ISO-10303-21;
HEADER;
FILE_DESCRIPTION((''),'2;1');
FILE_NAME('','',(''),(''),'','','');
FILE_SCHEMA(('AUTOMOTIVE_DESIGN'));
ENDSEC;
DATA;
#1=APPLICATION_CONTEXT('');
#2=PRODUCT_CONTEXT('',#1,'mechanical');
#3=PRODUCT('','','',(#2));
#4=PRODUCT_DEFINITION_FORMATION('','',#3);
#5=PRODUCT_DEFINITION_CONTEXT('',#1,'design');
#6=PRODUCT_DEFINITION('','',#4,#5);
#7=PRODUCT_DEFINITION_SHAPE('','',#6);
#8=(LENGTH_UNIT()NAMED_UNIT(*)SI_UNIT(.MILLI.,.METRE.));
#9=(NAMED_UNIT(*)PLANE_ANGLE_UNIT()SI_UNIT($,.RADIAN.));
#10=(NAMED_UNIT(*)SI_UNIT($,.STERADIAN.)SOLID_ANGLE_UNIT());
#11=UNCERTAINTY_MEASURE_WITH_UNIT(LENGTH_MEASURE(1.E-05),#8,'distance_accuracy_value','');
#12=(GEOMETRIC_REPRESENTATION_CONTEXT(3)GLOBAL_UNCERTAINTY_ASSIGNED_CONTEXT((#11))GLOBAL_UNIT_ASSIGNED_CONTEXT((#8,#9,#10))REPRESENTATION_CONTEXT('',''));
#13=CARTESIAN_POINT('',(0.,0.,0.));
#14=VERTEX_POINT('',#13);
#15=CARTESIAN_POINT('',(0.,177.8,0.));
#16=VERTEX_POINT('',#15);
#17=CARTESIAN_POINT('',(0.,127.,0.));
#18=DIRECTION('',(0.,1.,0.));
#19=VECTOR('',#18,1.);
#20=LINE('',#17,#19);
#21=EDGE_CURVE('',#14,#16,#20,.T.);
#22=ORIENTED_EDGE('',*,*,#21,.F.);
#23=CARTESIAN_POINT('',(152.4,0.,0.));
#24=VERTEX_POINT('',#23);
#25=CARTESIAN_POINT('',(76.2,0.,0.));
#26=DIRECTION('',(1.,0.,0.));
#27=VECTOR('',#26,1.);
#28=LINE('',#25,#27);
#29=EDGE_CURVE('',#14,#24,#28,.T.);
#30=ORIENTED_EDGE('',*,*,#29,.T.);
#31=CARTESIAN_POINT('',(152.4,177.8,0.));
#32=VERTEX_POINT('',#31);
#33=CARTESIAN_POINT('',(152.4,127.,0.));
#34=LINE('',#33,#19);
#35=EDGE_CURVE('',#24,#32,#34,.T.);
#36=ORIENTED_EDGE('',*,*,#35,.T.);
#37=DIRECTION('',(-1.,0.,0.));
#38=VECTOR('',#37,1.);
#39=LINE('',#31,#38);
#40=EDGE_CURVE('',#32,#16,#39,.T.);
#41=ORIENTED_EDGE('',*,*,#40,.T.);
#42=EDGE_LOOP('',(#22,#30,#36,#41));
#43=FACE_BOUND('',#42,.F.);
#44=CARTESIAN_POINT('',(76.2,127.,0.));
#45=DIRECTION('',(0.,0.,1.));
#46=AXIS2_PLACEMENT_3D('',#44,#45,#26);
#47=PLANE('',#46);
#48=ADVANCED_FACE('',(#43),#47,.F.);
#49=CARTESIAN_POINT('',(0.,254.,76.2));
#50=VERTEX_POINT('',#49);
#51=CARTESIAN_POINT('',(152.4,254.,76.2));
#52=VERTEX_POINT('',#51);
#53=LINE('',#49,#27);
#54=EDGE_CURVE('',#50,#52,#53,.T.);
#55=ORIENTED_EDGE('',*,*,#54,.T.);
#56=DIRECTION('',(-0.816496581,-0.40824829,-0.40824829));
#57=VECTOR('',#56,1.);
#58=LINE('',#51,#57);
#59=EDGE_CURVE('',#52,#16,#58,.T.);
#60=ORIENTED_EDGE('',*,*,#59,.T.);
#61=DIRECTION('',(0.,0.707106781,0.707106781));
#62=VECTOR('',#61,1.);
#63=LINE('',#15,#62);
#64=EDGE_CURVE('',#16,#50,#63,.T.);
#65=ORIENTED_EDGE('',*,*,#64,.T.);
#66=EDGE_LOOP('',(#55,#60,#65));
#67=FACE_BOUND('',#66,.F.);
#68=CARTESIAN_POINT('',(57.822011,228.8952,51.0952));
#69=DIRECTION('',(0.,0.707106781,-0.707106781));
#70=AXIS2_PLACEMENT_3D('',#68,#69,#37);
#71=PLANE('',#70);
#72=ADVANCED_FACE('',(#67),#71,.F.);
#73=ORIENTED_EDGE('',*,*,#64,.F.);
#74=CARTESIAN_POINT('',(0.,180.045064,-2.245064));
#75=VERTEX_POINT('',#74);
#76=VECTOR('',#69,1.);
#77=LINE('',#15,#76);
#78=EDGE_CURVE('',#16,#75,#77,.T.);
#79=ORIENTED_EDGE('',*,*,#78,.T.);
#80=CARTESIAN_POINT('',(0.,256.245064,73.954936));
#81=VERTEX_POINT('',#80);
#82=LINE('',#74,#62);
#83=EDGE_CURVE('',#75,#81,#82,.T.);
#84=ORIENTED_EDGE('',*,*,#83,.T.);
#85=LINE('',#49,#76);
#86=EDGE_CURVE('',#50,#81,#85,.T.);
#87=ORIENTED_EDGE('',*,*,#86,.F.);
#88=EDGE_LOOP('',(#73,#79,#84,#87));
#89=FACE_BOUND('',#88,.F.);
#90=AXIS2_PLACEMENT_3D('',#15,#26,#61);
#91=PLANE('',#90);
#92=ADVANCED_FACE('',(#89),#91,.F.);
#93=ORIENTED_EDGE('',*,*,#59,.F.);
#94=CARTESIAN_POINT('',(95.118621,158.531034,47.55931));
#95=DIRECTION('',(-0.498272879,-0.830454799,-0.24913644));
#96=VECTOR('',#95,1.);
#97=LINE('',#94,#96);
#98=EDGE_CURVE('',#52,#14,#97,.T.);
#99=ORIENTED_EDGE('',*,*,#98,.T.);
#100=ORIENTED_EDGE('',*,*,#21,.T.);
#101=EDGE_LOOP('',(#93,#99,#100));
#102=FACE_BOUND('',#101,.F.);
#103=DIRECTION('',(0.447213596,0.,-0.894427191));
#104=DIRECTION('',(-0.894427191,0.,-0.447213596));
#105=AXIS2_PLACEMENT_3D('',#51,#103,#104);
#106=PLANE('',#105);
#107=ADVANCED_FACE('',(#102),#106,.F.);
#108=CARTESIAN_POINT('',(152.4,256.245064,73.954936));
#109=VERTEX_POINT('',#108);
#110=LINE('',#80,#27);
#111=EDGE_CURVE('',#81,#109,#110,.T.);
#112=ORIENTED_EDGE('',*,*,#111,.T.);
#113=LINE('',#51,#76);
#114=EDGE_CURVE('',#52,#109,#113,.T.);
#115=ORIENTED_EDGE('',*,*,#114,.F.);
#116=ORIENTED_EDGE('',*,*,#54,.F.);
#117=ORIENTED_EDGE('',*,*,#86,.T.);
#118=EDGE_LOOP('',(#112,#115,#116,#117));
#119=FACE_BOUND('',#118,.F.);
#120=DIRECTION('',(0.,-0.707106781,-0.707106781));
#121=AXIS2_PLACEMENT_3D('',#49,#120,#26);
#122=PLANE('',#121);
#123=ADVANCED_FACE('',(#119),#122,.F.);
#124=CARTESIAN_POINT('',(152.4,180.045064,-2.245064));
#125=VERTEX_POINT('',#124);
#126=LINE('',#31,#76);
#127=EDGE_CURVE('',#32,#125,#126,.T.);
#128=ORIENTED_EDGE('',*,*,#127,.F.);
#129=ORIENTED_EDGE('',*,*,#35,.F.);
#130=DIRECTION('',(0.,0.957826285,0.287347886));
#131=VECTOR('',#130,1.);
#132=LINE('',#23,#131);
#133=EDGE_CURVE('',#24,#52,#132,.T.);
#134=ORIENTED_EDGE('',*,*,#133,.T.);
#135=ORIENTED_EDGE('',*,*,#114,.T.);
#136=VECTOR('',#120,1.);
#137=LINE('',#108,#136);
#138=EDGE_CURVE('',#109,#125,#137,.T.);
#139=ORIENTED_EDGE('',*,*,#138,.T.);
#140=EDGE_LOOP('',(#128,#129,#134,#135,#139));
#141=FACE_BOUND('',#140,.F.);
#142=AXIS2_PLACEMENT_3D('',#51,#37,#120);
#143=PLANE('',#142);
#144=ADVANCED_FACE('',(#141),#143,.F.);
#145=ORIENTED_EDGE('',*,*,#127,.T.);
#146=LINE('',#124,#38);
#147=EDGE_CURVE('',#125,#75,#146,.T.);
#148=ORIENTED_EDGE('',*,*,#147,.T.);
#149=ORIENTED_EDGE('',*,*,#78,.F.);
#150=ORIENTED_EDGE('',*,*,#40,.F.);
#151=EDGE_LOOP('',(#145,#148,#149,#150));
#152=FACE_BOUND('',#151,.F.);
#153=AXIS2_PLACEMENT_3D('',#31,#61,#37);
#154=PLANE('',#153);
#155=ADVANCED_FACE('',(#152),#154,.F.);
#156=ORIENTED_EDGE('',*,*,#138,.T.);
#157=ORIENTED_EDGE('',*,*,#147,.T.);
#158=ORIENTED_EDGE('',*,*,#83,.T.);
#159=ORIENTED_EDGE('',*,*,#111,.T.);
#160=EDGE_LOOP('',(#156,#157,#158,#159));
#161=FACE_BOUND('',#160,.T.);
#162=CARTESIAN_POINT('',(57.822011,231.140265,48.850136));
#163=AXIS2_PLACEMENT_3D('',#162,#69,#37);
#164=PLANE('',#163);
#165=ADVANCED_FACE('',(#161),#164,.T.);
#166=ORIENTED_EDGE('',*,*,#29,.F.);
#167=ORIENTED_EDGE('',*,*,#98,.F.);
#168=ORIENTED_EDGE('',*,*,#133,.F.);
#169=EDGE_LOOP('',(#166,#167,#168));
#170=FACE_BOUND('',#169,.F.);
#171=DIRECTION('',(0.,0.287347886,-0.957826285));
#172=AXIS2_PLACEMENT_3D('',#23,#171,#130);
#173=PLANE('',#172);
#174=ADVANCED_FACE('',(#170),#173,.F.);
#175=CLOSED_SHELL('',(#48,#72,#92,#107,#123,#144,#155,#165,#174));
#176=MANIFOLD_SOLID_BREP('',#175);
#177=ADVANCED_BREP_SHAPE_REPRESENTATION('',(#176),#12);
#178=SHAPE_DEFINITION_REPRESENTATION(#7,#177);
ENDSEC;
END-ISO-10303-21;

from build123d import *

# Parameters (mm, degrees)
F0_W     = 152.4
F0_H     = 254
F1_DEPTH = 76.2
F3_DEPTH = 152.4
F5_DEPTH = 254.001
F7_DEPTH = 152.401
F9_DEPTH = 3.175


with BuildPart() as f1:
    # F0 (on Top) → F1 (new body)
    with BuildSketch(Plane.XY):
        with Locations((76.2, 127)):
            Rectangle(F0_W, F0_H)
    extrude(amount=F1_DEPTH)

    # F2 (on face) → F3 (cut, through all)
    with BuildSketch(Plane.YZ.offset(152.4)):
        Polygon((0, 76.2), (0, 0), (254, 76.2), align=None)
    extrude(amount=-F3_DEPTH, mode=Mode.SUBTRACT)

    # F4 (on face) → F5 (cut, through all)
    with BuildSketch(Plane(origin=(0, 254, 0), x_dir=(-1, 0, 0), z_dir=(0, 1, 0))):
        Polygon((0, 76.2), (-152.4, 76.2), (0, 0), align=None)
    extrude(amount=-F5_DEPTH, mode=Mode.SUBTRACT)

    # F6 (on face) → F7 (cut, through all)
    with BuildSketch(Plane.YZ.offset(152.4)):
        Polygon((254, 0), (254, 76.2), (177.8, 0), align=None)
    extrude(amount=-F7_DEPTH, mode=Mode.SUBTRACT)

    # F8 (on face) → F9 (join)
    with BuildSketch(Plane(origin=(0, 88.9, -88.9), x_dir=(-1, 0, 0), z_dir=(0, 0.7071067812, -0.7071067812))):
        Polygon((-152.4, 233.4866591478), (0, 125.723585695), (0, 233.4866591478), align=None)
        Polygon((-152.4, 125.7235856949), (0, 125.7235856949), (-152.4, 233.4866591478), align=None)
    extrude(amount=F9_DEPTH)


solid = f1.part
